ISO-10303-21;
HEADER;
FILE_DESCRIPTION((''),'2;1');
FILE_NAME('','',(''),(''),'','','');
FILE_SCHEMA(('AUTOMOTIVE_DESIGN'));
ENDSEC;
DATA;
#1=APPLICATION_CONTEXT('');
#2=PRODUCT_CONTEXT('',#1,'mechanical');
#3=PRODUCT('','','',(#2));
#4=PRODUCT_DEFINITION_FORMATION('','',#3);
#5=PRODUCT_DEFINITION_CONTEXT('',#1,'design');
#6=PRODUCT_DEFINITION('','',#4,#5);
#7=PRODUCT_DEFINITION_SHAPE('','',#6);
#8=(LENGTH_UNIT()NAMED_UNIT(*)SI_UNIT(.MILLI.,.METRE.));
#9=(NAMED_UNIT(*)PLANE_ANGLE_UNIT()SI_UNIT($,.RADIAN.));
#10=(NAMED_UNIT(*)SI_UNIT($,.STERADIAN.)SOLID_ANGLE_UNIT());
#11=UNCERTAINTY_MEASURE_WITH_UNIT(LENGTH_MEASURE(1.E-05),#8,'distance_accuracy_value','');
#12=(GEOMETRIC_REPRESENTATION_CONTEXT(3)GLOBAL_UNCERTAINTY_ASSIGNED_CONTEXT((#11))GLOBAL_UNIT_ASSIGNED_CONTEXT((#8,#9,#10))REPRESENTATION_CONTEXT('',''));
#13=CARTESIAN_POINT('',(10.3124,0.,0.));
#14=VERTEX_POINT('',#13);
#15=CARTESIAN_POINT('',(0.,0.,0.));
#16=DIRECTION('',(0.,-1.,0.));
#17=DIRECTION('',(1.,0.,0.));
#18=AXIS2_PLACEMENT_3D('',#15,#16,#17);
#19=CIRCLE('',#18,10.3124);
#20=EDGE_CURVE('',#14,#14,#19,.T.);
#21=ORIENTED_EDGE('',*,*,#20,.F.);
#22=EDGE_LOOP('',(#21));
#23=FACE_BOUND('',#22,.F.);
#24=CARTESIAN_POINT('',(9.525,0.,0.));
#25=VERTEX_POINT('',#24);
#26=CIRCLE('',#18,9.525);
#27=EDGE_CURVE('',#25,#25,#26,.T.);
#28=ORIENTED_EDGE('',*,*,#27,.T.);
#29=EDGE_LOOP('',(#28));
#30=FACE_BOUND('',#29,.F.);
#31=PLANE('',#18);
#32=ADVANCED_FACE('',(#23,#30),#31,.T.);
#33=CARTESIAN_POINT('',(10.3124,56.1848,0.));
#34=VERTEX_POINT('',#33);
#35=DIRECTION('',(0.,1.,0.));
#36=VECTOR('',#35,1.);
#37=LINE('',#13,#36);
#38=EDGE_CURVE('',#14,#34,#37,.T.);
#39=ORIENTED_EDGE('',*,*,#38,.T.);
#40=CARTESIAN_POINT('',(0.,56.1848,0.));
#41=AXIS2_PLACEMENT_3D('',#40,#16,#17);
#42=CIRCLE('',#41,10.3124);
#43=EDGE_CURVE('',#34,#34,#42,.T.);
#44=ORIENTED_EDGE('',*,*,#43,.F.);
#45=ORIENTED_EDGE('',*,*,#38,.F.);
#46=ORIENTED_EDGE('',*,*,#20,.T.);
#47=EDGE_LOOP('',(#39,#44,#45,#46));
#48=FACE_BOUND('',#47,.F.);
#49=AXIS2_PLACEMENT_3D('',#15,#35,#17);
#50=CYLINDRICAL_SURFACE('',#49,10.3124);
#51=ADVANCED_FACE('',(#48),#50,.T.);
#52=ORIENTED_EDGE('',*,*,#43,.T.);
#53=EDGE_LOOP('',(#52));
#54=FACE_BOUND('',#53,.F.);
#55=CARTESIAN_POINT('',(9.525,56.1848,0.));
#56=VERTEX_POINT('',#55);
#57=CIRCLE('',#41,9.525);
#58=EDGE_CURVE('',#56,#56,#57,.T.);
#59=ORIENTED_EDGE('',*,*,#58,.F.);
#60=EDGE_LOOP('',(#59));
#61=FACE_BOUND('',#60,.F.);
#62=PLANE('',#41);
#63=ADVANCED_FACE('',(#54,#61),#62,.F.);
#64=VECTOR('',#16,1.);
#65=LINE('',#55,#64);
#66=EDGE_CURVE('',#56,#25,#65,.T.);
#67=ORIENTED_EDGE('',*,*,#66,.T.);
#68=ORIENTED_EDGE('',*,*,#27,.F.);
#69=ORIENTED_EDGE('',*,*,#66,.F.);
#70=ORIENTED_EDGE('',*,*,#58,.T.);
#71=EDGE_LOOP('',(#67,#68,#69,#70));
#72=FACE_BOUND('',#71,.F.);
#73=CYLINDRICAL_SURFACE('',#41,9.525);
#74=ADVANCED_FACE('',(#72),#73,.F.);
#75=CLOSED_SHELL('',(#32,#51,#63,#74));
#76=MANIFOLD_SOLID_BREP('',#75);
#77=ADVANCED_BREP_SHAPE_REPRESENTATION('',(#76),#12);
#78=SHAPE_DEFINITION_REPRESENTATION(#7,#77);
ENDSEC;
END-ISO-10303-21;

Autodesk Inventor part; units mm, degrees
sketch "Sketch_4" plane through (0, 0, 0) normal (0, 0, 1) x (1, 0, 0)
  line L0 (0, 0) -> (0, 56.1848)
  line L1 (9.525, 56.1848) -> (9.525, 0)
  line L2 (9.525, 0) -> (10.3124, 0)
  line L3 (10.3124, 0) -> (10.3124, 56.1848)
  line L4 (10.3124, 56.1848) -> (9.525, 56.1848)
revolve "Revolution1" add sketch "Sketch_4" angle 360 about axis through (0, 0, 0) along (0, -1, 0)
ref_plane "tube_rear_XY" through (0, 56.1848, 0) normal (0, 1, 0) x (1, 0, 0)
ref_plane "tube_rear_YZ" through (0, 56.1848, 0) normal (1, 0, 0) x (0, 0, -1)
ref_plane "tube_rear_ZX" through (0, 56.1848, 0) normal (0, 0, -1) x (0, 1, 0)
ref_plane "tube_rod_guide_XY" through (0, 0, 0) normal (0, 1, 0) x (1, 0, 0)
ref_plane "tube_rod_guide_YZ" through (0, 0, 0) normal (1, 0, 0) x (0, 0, -1)
ref_plane "tube_rod_guide_ZX" through (0, 0, 0) normal (0, 0, -1) x (0, 1, 0)
properties part number "042.212-FO1_BM_tube"
